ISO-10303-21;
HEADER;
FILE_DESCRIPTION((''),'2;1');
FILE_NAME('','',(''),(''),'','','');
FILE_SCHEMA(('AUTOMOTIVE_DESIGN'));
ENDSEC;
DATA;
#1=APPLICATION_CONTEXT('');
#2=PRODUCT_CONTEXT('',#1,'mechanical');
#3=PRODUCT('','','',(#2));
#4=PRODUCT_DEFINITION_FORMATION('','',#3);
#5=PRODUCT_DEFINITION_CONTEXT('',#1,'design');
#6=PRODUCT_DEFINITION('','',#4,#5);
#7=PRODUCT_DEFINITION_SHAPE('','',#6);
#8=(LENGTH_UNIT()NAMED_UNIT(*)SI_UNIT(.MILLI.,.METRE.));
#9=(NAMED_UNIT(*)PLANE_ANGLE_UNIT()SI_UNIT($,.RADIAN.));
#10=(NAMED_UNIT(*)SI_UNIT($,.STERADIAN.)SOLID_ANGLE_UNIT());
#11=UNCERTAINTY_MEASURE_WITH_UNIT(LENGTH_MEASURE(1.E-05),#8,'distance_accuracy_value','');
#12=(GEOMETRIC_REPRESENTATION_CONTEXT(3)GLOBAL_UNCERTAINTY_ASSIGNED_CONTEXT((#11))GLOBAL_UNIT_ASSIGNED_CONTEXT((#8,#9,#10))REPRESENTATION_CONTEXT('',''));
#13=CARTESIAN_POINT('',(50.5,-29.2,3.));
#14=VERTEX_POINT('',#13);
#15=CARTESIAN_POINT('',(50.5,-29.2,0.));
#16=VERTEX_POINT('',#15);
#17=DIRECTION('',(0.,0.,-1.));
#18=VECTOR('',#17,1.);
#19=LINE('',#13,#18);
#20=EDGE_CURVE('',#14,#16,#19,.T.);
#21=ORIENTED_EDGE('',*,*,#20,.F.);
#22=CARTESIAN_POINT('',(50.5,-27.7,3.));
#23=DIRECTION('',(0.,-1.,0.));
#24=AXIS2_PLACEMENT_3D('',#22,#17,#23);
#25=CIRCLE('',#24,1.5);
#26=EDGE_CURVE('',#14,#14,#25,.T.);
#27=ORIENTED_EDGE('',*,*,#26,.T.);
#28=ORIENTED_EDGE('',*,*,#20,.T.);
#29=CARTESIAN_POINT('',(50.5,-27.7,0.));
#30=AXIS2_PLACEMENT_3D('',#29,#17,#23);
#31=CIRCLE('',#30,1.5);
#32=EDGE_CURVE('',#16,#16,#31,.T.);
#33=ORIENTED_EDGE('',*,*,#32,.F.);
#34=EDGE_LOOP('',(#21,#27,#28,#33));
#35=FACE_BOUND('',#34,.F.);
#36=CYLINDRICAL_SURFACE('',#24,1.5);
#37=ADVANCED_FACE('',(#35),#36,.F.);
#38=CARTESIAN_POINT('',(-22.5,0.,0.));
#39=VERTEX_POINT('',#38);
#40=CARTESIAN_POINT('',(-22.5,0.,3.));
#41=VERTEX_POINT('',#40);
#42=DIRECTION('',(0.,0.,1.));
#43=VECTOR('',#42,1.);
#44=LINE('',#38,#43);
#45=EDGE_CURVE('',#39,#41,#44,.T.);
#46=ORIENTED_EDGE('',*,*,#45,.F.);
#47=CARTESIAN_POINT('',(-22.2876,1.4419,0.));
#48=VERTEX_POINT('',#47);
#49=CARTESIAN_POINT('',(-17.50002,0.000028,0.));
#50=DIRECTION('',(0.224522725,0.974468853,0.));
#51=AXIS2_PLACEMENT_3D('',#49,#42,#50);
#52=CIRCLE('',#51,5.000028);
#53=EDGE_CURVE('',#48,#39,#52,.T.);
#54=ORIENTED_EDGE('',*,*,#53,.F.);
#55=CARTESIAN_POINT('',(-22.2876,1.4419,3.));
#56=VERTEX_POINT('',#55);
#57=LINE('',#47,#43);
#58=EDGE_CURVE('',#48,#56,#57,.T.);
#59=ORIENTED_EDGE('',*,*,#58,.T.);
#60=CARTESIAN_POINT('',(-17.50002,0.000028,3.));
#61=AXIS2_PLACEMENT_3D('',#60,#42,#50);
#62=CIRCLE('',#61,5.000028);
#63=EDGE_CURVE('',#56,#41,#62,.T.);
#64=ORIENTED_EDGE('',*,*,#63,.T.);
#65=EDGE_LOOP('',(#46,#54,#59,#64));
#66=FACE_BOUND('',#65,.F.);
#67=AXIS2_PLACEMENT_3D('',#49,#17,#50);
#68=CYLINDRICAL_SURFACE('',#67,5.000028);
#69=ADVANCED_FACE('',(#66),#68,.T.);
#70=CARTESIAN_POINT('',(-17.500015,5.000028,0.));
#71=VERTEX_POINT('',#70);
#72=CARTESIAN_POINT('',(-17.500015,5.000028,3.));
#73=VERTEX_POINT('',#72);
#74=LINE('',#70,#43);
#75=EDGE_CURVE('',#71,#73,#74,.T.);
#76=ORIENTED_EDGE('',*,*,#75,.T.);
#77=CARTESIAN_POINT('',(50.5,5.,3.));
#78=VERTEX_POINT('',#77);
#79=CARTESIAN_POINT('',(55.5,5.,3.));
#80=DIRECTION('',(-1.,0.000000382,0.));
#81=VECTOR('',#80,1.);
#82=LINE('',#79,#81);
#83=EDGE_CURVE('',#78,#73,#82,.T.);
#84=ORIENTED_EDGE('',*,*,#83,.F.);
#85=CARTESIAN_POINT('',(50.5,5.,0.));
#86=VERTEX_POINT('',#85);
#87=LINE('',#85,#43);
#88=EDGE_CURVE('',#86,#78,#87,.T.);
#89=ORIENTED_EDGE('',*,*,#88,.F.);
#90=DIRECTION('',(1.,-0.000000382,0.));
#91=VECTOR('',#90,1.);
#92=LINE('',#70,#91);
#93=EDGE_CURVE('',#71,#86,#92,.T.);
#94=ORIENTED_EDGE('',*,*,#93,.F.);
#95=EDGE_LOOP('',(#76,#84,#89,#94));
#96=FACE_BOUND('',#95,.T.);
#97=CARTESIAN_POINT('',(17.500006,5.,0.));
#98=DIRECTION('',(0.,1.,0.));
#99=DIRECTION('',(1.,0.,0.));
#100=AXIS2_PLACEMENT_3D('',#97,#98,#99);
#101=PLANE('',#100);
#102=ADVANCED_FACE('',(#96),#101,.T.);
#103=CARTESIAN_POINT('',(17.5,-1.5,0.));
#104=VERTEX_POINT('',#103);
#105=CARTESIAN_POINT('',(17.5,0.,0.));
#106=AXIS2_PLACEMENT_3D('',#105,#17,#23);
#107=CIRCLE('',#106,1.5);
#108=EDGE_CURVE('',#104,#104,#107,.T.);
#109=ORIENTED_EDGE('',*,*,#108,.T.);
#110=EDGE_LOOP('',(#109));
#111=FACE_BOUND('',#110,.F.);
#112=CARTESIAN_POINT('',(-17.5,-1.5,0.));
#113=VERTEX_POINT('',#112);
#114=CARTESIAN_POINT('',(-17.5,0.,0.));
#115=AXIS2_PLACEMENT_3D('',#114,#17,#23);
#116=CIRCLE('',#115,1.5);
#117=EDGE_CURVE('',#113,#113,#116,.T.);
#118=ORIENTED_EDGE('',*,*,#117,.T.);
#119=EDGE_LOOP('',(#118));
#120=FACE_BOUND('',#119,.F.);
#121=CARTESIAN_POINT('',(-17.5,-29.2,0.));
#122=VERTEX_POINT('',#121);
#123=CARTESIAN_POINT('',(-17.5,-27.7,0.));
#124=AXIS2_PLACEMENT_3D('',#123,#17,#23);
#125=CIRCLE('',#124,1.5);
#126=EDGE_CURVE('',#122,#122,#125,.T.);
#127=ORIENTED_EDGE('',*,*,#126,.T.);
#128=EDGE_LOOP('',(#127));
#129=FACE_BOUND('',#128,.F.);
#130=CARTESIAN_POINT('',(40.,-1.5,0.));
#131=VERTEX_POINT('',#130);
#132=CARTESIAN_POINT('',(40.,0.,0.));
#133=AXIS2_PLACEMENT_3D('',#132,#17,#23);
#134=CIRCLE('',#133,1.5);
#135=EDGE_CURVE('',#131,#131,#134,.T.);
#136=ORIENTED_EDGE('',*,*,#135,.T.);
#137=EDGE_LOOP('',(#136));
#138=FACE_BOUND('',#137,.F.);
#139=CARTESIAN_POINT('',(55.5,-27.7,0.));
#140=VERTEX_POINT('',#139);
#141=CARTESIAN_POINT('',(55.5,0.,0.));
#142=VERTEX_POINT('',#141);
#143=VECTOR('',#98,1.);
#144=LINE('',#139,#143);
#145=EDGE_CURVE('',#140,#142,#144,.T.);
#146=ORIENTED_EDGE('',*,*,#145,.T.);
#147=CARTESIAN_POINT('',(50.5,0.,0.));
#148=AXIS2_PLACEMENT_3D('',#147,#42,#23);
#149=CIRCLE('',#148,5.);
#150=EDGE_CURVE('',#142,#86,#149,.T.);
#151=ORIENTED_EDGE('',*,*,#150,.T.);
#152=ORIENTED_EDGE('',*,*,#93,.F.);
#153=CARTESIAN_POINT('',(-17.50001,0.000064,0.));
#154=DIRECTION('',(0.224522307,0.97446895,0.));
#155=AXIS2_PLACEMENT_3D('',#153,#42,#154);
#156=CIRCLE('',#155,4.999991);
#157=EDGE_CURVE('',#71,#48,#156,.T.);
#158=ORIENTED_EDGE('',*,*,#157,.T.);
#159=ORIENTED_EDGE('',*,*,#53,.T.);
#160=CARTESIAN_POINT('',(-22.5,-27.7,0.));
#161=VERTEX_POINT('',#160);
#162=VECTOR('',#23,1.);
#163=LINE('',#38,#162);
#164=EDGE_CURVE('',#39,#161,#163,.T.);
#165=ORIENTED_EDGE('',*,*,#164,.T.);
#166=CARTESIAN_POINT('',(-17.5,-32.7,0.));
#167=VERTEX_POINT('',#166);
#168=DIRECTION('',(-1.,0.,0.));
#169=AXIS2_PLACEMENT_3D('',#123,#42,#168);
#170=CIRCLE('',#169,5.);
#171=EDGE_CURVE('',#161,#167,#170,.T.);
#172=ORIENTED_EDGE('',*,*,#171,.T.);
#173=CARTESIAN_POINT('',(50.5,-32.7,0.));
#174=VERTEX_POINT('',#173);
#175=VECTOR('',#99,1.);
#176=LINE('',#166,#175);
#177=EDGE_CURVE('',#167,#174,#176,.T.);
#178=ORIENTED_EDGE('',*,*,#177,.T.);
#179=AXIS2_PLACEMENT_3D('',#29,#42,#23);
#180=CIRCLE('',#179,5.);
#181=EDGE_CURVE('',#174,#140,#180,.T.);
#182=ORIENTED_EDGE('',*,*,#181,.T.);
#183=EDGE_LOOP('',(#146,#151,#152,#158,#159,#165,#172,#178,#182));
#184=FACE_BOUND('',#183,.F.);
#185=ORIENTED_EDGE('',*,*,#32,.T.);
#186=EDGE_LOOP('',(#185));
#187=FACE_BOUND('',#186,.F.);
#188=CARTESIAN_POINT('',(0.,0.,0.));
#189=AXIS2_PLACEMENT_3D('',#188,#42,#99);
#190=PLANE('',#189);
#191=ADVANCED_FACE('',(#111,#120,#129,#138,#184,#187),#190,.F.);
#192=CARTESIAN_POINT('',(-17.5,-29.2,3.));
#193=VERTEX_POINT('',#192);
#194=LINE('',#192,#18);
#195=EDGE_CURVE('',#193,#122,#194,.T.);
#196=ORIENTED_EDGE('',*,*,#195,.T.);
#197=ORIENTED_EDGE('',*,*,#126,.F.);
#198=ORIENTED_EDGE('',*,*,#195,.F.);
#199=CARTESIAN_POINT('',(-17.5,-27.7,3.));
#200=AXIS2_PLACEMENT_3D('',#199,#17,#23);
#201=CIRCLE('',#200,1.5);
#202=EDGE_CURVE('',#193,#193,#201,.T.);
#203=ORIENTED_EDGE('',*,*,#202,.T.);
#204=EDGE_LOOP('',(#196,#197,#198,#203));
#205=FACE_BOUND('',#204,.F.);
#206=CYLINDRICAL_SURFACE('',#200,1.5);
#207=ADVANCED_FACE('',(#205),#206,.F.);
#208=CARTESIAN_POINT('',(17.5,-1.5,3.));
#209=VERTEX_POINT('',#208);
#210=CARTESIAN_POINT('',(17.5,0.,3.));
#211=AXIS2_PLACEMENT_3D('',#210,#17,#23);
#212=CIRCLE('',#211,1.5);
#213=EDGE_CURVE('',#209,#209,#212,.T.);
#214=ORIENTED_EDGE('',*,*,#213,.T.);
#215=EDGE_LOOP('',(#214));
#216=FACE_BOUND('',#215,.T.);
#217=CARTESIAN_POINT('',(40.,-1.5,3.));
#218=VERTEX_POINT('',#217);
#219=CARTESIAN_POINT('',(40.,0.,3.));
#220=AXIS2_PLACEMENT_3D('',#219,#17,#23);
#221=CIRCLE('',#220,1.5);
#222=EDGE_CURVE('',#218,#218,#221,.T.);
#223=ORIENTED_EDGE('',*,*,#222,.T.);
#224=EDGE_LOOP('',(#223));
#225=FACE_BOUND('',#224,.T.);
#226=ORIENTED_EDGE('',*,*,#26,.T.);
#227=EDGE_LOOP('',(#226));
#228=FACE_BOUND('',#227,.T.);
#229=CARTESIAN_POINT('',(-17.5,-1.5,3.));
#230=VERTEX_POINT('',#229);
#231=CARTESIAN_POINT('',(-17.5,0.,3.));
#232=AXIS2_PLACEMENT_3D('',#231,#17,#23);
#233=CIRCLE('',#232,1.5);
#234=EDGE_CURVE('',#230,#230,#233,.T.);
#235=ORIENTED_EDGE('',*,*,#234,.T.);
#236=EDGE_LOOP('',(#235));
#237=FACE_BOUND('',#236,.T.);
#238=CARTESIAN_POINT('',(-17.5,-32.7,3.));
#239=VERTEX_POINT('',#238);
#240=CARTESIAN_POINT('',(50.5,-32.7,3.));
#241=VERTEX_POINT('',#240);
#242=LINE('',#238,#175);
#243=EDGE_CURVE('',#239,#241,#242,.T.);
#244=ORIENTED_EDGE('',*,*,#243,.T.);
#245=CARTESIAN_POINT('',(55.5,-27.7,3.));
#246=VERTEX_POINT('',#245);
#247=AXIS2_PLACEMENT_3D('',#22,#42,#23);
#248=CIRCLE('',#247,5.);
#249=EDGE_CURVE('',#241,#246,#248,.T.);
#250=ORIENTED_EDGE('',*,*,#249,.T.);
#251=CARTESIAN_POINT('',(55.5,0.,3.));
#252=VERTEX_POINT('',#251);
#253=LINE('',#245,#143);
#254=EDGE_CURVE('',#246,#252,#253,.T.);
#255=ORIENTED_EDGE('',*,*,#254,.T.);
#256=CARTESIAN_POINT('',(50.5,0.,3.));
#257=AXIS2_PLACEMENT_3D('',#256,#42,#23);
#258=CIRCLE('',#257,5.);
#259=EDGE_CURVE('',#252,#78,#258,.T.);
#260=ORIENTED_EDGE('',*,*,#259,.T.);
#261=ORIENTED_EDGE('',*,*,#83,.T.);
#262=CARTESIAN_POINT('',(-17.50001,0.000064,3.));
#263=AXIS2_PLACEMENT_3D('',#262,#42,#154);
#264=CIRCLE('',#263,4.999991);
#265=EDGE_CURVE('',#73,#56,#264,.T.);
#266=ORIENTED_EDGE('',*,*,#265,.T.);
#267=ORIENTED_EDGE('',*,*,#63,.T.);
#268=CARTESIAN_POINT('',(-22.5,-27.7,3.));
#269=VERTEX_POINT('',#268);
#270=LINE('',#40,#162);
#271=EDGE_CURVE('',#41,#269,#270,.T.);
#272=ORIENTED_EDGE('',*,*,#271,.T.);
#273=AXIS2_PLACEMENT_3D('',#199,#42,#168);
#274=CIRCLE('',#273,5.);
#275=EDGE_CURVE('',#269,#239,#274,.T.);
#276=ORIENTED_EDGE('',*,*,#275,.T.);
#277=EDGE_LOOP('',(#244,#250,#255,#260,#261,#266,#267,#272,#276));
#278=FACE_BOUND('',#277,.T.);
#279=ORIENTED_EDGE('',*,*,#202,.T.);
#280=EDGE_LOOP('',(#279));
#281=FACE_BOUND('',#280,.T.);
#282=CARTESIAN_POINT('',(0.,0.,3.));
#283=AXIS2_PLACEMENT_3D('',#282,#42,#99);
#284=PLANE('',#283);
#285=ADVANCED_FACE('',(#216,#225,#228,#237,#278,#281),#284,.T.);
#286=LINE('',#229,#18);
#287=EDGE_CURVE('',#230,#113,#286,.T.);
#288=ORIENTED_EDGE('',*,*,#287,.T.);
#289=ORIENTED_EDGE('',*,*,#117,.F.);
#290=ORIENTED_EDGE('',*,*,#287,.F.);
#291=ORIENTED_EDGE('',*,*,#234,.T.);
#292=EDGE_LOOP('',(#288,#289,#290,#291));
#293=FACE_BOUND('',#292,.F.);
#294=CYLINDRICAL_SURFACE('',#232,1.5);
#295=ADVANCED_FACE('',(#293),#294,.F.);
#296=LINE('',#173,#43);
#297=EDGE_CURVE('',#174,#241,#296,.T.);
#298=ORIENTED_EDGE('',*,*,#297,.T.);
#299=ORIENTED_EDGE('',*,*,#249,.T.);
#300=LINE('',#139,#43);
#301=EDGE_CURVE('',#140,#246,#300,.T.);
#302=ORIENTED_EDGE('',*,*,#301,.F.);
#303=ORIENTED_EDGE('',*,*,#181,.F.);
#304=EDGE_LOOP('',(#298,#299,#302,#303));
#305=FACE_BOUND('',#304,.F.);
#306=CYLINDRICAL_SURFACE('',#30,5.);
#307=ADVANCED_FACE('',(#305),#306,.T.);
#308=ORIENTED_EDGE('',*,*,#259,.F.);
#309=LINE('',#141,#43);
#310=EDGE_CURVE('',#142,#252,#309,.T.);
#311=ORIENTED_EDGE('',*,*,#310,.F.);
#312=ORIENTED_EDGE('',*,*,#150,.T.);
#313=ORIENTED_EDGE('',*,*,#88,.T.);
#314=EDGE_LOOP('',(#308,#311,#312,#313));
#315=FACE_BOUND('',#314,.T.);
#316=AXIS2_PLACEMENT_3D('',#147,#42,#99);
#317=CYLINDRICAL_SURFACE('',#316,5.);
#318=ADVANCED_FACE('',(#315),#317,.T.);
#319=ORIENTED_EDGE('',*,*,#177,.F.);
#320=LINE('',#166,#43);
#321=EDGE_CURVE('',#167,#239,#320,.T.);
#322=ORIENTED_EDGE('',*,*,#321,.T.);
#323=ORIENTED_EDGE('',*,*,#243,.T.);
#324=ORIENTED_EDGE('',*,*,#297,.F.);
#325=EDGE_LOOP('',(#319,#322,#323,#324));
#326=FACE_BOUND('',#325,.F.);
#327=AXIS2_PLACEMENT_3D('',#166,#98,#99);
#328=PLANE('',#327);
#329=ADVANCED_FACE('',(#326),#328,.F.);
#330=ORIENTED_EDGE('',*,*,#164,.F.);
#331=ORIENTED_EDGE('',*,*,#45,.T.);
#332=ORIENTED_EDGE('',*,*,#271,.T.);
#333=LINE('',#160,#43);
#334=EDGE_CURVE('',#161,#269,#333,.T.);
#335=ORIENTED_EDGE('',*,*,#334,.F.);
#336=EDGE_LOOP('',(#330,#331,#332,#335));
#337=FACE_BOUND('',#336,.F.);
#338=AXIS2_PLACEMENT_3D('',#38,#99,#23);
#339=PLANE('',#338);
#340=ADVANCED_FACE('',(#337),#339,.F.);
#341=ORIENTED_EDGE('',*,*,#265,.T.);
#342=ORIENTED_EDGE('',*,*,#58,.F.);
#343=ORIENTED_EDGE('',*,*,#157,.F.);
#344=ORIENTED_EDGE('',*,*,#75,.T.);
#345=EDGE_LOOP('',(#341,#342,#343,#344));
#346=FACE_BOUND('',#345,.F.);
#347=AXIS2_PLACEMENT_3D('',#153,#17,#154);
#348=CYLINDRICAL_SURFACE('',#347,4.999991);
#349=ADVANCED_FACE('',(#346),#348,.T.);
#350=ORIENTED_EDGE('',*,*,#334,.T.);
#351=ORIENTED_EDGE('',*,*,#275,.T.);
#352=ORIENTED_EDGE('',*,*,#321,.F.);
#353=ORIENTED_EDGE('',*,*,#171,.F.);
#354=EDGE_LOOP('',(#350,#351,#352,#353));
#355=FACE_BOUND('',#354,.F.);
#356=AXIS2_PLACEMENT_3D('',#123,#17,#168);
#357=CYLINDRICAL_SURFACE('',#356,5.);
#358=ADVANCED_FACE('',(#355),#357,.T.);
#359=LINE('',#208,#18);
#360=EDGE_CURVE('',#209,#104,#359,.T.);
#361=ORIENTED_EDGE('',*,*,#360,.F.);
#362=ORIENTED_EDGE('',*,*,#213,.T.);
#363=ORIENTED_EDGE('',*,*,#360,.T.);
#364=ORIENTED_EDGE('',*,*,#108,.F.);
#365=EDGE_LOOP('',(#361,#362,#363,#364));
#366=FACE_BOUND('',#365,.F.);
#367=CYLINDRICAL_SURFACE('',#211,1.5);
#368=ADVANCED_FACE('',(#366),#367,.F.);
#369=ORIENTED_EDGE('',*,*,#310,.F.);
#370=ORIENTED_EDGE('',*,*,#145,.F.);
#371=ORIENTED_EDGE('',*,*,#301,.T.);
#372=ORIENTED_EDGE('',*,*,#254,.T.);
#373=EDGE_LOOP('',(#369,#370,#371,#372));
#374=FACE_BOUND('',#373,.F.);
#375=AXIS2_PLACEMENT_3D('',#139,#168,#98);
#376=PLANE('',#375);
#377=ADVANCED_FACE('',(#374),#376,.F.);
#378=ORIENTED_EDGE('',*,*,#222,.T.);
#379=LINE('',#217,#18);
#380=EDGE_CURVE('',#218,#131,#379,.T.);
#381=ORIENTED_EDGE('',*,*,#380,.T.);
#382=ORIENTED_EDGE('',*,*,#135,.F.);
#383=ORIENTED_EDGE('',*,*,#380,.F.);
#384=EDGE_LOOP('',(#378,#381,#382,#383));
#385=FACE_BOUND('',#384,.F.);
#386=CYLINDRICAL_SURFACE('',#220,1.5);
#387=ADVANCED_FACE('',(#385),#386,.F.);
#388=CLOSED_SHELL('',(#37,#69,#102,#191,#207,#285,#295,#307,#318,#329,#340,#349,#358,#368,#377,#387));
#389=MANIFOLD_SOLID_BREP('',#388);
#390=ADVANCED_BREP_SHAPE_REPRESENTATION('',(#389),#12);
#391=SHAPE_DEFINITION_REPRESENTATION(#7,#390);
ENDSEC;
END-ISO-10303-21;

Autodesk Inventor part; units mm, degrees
ref_plane "YZ Plane" through (0, 0, 0) normal (1, 0, 0) x (0, 1, 0)
ref_plane "XZ Plane" through (0, 0, 0) normal (0, 1, 0) x (-1, 0, 0)
ref_plane "XY Plane" through (0, 0, 0) normal (0, 0, 1) x (1, 0, 0)
sketch "スケッチ1" plane through (0, 0, 0) normal (0, 0, 1) x (1, 0, 0)
  line L0 (9.4222, 72.3) -> (45.5, 72.3) projected
  arc A0 (50.5, 67.3) -> (45.5, 72.3) centre (45.5, 67.3) ccw projected
  line L1 (50.5, 67.3) -> (50.5, 43.9148) projected
  arc A1 (45.8359, 41.4187) -> (50.5, 43.9148) centre (47.5, 43.9148) ccw projected
  line L2 (45.8359, 41.4187) -> (7.7581, 66.8038) projected
  arc A2 (9.4222, 72.3) -> (7.7581, 66.8038) centre (9.4222, 69.3) ccw projected
  line L3 (31.5778, 32.3) -> (-4.5, 32.3) projected
  arc A3 (-9.5, 37.3) -> (-4.5, 32.3) centre (-4.5, 37.3) ccw projected
  line L4 (-9.5, 37.3) -> (-9.5, 60.6852) projected
  arc A4 (-4.8359, 63.1813) -> (-9.5, 60.6852) centre (-6.5, 60.6852) ccw projected
  line L5 (-4.8359, 63.1813) -> (33.2419, 37.7962) projected
  arc A5 (31.5778, 32.3) -> (33.2419, 37.7962) centre (31.5778, 35.3) ccw projected
  arc A6 (50.5, -32.7) -> (55.5, -27.7) centre (50.5, -27.7) ccw projected
  line L6 (55.5, -27.7) -> (55.5, 77.3) projected
  line L7 (55.5, 77.3) -> (-14.5, 77.3) projected
  line L8 (-14.5, 77.3) -> (-14.5, 27.3) projected
  line L9 (-14.5, 27.3) -> (-22.2876, 1.4419) projected
  arc A7 (-16.3774, 4.8724) -> (-22.2876, 1.4419) centre (-17.5, 0) ccw projected
  arc A8 (-16.3774, 4.8724) -> (-12.2872, 6.71) centre (-15.5442, 8.4886) ccw projected
  arc A9 (-7.5, 11.8216) -> (-12.2872, 6.71) centre (0, 0) ccw projected
  line L10 (-7.5, 11.8216) -> (-7.5, 18.5) projected
  arc A10 (-1.5, 24.5) -> (-7.5, 18.5) centre (-1.5, 18.5) ccw projected
  line L11 (-1.5, 24.5) -> (42.5, 24.5) projected
  arc A11 (48.5, 18.5) -> (42.5, 24.5) centre (42.5, 18.5) ccw projected
  line L12 (48.5, 18.5) -> (48.5, -8.5) projected
  line L13 (48.5, -8.5) -> (39.5, -8.5) projected
  arc A12 (31.5, -0.5) -> (39.5, -8.5) centre (39.5, -0.5) ccw projected
  line L14 (31.5, -0.5) -> (31.5, 8.5) projected
  line L15 (31.5, 8.5) -> (11.1243, 8.5) projected
  arc A13 (12.2844, 6.7152) -> (11.1243, 8.5) centre (0, 0) ccw projected
  arc A14 (12.2844, 6.7152) -> (16.3816, 4.8733) centre (15.5493, 8.5) ccw projected
  arc A15 (17.5, -5) -> (16.3816, 4.8733) centre (17.5, 0) ccw projected
  line L16 (17.5, -5) -> (10.0995, -5) projected
  arc A16 (8.3431, -3.9565) -> (10.0995, -5) centre (10.0995, -3) ccw projected
  arc A17 (8.3431, -3.9565) -> (-8.3431, -3.9565) centre (0, -8.5) ccw projected
  arc A18 (-10.0995, -5) -> (-8.3431, -3.9565) centre (-10.0995, -3) ccw projected
  line L17 (-10.0995, -5) -> (-17.5, -5) projected
  arc A19 (-22.5, 0) -> (-17.5, -5) centre (-17.5, 0) ccw projected
  line L18 (-22.5, 0) -> (-22.5, -27.7) projected
  arc A20 (-22.5, -27.7) -> (-17.5, -32.7) centre (-17.5, -27.7) ccw projected
  line L19 (-17.5, -32.7) -> (50.5, -32.7) projected
  circle A21 centre (-17.5, -27.7) radius 1.9 projected
  circle A22 centre (50.5, -27.7) radius 1.9 projected
  line L20 (55.5, -32.7) -> (-22.5, -32.7)
  line L21 (-22.5, -32.7) -> (-22.5, 5)
  line L22 (-22.5, 5) -> (55.5, 5)
  line L23 (55.5, 5) -> (55.5, -32.7)
  arc A23 (-16.3774, 4.8724) -> (-17.5, -5) centre (-17.5, 0) ccw projected
  point P0 (0, 0)
  point P1 (-17.5, 5)
extrude "押し出し1" add sketch "スケッチ1" along normal blind 3 contours L19 A20 L18 A19 L17 A18 A17 A16 L16 A15 L22 L14 A12 L13 L12 L6 A6 | L12 L13 A12 L14 L22 | A23 A7 A8 L22 A14 A15 L16 A16 A17 A18 L17 A19 | A15 A14 L22 | L22 A8 A7 | A21 | A22
fillet "フィレット1" radius 5 1 edges at (55.5, 5, 1.5)
sketch "スケッチ2" plane through (0, 0, 3) normal (0, 0, 1) x (1, 0, 0)
  circle A0 centre (-17.5, 0) radius 1.4 projected
  circle A1 centre (-17.5, -27.7) radius 1.4 projected
  circle A2 centre (17.5, 0) radius 1.4 projected
  circle A3 centre (40, 0) radius 1.35 projected
  circle A4 centre (50.5, -27.7) radius 1.4 projected
  point P0 (0, 0)
hole "穴1" at (40, 0, 3) at (17.5, 0, 3) at (-17.5, 0, 3) at (-17.5, -27.7, 3) at (50.5, -27.7, 3) direction (0, 0, -1) diameter 3 end through all
properties part number "CaseCover"
